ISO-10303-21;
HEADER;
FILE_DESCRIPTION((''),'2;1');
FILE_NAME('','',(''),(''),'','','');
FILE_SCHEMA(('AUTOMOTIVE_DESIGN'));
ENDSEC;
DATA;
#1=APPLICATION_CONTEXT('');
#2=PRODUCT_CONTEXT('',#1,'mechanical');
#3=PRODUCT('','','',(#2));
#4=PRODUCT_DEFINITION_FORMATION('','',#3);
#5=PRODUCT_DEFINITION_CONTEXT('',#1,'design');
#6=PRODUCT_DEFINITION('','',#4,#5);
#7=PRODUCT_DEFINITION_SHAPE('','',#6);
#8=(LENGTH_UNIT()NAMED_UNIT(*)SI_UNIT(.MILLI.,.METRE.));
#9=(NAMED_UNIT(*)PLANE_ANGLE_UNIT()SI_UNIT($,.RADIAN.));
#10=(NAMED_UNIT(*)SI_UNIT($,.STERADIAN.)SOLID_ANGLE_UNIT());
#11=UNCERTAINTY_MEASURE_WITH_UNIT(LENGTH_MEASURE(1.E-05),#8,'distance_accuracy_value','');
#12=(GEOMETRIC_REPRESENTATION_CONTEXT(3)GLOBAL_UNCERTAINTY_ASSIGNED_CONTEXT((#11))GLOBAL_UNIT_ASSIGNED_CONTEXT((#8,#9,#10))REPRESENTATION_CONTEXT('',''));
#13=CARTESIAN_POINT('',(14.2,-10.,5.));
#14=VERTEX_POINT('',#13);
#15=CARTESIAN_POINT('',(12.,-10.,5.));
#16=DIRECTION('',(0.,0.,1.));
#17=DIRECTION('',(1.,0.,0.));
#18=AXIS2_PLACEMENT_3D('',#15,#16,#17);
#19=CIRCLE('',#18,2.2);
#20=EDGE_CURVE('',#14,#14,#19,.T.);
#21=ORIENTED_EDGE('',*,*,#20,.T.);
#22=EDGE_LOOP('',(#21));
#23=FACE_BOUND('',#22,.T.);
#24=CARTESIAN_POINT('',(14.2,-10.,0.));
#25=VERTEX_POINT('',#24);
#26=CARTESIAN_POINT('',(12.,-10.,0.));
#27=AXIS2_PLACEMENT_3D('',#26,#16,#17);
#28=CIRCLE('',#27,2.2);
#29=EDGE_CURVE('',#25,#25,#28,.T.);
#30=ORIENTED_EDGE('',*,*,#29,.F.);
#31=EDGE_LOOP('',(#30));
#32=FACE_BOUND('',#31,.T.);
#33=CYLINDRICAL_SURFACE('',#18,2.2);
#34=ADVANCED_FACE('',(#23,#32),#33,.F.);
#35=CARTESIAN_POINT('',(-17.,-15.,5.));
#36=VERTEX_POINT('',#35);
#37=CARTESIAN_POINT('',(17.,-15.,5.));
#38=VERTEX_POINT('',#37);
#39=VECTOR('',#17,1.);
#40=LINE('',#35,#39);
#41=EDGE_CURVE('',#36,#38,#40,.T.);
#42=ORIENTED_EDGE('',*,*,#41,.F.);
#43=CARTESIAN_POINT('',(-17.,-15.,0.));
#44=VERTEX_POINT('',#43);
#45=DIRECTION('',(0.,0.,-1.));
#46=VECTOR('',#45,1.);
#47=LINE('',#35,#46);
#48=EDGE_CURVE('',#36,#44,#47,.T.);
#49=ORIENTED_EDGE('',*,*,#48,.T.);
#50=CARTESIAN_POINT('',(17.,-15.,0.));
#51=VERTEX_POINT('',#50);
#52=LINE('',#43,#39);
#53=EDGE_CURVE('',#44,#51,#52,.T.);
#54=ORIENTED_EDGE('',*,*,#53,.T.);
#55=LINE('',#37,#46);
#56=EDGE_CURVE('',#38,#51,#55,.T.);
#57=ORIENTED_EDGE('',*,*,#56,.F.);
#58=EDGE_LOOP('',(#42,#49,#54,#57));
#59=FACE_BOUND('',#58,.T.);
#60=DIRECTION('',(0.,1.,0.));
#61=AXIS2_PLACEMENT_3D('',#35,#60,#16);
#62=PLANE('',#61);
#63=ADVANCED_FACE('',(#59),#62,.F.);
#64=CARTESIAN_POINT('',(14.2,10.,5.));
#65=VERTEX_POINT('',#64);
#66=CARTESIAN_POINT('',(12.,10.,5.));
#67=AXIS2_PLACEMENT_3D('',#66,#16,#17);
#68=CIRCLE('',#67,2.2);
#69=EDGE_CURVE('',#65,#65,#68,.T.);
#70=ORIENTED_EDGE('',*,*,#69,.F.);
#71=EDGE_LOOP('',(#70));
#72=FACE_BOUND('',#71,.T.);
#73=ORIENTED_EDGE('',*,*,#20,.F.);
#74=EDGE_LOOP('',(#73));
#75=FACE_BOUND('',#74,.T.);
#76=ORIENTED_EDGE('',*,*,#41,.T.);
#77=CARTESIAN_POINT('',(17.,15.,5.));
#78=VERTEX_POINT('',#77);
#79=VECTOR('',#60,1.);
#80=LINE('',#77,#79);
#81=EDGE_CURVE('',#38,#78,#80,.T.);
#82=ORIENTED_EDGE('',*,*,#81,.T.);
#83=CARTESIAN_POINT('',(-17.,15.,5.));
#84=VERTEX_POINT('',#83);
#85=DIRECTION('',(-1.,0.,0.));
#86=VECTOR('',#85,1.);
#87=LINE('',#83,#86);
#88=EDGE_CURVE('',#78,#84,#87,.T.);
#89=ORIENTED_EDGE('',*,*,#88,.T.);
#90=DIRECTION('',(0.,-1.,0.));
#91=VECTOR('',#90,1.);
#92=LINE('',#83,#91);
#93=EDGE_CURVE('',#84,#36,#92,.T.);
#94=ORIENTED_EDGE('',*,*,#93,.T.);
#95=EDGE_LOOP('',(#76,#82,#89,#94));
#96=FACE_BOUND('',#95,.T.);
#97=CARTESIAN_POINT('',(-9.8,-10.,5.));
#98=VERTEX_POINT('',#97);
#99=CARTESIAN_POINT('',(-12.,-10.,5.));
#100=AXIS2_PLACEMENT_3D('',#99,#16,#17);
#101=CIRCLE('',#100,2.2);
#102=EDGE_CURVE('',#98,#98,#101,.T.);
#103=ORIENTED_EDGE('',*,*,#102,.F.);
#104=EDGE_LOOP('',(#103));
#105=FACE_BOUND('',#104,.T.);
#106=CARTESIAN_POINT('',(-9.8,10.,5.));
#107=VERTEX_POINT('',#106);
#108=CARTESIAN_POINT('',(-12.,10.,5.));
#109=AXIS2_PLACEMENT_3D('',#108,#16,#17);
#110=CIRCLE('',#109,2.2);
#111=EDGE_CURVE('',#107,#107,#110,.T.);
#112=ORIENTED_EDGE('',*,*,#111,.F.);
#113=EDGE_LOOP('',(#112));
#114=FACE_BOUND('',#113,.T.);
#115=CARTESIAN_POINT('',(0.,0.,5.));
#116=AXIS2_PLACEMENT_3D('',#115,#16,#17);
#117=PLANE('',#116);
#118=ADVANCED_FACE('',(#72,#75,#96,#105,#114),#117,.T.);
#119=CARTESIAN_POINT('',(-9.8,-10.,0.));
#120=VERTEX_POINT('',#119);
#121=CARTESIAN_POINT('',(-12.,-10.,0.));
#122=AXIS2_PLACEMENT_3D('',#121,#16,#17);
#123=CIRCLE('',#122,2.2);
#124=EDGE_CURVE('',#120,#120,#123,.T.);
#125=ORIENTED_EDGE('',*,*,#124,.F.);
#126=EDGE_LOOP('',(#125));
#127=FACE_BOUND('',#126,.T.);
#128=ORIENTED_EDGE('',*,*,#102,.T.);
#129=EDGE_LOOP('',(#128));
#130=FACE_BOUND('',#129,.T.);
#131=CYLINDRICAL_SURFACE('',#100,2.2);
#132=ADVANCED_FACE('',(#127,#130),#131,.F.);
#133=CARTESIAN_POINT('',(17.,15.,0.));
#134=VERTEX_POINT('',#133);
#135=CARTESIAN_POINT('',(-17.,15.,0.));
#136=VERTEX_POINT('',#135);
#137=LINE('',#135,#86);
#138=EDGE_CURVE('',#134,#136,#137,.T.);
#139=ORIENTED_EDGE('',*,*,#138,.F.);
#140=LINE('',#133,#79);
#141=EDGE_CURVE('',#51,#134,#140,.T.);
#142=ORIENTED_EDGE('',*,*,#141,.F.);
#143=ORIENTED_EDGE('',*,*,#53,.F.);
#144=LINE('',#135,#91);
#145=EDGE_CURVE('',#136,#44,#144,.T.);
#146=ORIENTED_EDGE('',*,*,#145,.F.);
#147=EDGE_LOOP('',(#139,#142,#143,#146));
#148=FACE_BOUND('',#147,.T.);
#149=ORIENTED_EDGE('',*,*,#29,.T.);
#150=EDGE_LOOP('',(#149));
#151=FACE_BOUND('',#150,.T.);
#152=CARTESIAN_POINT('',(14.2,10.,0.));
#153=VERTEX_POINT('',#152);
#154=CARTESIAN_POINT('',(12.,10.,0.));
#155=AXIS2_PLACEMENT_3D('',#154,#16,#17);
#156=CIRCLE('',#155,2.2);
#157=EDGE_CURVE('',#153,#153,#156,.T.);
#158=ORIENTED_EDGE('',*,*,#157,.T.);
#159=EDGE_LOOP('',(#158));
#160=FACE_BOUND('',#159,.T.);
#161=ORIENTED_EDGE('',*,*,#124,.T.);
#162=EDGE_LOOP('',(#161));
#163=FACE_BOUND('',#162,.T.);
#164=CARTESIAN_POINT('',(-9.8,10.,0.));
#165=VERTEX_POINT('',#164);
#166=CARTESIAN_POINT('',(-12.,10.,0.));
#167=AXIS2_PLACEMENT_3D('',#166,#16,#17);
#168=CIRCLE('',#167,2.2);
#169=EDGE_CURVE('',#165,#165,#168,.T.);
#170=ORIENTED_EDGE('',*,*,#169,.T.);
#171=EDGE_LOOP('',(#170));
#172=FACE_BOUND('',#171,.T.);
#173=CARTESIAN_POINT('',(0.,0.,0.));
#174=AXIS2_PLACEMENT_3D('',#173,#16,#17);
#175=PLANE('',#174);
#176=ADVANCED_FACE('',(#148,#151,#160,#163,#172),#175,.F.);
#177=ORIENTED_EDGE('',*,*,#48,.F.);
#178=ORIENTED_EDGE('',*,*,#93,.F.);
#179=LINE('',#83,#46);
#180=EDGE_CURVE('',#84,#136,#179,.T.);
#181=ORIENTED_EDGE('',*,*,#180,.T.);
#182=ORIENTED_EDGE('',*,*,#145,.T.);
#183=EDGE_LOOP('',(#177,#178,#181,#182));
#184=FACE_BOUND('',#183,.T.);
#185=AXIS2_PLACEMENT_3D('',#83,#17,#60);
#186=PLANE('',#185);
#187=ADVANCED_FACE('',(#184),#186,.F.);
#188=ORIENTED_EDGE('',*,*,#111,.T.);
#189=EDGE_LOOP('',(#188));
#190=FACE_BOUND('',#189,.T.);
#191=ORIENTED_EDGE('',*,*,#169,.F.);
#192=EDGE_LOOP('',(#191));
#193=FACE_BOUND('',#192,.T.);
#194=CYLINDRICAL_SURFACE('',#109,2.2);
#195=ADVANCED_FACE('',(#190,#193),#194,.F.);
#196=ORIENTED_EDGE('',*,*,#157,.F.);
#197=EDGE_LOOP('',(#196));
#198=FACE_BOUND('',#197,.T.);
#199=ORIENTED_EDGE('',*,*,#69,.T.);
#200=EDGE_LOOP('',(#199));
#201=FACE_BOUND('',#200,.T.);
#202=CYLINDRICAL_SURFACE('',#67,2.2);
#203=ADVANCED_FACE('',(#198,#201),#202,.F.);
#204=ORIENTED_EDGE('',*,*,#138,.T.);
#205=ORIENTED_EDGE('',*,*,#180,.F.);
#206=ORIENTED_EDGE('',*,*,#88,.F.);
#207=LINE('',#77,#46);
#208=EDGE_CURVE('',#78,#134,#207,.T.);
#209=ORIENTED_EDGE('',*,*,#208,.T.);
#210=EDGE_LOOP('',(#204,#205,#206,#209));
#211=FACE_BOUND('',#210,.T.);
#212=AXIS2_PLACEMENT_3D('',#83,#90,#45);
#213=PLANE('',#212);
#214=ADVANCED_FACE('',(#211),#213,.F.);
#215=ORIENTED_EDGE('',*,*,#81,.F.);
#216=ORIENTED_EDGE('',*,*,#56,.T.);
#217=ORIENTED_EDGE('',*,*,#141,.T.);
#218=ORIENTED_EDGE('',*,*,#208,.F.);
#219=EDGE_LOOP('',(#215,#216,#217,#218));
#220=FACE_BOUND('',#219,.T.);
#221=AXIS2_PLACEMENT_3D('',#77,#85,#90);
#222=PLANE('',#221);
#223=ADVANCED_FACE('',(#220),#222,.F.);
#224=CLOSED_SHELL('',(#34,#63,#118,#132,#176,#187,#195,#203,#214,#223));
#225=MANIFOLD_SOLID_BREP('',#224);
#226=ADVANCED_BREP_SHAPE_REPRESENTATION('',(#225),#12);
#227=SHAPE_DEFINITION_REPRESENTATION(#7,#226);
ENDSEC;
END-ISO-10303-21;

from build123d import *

# Parameters (mm, degrees)
SKETCH_2_W      = 34
SKETCH_2_H      = 30
EXTRUDE_1_DEPTH = 5
HOLE_WIZARD_1_D = 4.4


with BuildPart() as part:
    # 草图2 → 凸台-拉伸1 (new body)
    with BuildSketch(Plane.XY):
        Rectangle(SKETCH_2_W, SKETCH_2_H)
    extrude(amount=EXTRUDE_1_DEPTH)

    # 孔1 (through all)
    with Locations(Plane.XY.offset(5)):
        with Locations((-12, 10), (12, 10), (12, -10), (-12, -10)):
            Hole(HOLE_WIZARD_1_D / 2)


solid = part.part
